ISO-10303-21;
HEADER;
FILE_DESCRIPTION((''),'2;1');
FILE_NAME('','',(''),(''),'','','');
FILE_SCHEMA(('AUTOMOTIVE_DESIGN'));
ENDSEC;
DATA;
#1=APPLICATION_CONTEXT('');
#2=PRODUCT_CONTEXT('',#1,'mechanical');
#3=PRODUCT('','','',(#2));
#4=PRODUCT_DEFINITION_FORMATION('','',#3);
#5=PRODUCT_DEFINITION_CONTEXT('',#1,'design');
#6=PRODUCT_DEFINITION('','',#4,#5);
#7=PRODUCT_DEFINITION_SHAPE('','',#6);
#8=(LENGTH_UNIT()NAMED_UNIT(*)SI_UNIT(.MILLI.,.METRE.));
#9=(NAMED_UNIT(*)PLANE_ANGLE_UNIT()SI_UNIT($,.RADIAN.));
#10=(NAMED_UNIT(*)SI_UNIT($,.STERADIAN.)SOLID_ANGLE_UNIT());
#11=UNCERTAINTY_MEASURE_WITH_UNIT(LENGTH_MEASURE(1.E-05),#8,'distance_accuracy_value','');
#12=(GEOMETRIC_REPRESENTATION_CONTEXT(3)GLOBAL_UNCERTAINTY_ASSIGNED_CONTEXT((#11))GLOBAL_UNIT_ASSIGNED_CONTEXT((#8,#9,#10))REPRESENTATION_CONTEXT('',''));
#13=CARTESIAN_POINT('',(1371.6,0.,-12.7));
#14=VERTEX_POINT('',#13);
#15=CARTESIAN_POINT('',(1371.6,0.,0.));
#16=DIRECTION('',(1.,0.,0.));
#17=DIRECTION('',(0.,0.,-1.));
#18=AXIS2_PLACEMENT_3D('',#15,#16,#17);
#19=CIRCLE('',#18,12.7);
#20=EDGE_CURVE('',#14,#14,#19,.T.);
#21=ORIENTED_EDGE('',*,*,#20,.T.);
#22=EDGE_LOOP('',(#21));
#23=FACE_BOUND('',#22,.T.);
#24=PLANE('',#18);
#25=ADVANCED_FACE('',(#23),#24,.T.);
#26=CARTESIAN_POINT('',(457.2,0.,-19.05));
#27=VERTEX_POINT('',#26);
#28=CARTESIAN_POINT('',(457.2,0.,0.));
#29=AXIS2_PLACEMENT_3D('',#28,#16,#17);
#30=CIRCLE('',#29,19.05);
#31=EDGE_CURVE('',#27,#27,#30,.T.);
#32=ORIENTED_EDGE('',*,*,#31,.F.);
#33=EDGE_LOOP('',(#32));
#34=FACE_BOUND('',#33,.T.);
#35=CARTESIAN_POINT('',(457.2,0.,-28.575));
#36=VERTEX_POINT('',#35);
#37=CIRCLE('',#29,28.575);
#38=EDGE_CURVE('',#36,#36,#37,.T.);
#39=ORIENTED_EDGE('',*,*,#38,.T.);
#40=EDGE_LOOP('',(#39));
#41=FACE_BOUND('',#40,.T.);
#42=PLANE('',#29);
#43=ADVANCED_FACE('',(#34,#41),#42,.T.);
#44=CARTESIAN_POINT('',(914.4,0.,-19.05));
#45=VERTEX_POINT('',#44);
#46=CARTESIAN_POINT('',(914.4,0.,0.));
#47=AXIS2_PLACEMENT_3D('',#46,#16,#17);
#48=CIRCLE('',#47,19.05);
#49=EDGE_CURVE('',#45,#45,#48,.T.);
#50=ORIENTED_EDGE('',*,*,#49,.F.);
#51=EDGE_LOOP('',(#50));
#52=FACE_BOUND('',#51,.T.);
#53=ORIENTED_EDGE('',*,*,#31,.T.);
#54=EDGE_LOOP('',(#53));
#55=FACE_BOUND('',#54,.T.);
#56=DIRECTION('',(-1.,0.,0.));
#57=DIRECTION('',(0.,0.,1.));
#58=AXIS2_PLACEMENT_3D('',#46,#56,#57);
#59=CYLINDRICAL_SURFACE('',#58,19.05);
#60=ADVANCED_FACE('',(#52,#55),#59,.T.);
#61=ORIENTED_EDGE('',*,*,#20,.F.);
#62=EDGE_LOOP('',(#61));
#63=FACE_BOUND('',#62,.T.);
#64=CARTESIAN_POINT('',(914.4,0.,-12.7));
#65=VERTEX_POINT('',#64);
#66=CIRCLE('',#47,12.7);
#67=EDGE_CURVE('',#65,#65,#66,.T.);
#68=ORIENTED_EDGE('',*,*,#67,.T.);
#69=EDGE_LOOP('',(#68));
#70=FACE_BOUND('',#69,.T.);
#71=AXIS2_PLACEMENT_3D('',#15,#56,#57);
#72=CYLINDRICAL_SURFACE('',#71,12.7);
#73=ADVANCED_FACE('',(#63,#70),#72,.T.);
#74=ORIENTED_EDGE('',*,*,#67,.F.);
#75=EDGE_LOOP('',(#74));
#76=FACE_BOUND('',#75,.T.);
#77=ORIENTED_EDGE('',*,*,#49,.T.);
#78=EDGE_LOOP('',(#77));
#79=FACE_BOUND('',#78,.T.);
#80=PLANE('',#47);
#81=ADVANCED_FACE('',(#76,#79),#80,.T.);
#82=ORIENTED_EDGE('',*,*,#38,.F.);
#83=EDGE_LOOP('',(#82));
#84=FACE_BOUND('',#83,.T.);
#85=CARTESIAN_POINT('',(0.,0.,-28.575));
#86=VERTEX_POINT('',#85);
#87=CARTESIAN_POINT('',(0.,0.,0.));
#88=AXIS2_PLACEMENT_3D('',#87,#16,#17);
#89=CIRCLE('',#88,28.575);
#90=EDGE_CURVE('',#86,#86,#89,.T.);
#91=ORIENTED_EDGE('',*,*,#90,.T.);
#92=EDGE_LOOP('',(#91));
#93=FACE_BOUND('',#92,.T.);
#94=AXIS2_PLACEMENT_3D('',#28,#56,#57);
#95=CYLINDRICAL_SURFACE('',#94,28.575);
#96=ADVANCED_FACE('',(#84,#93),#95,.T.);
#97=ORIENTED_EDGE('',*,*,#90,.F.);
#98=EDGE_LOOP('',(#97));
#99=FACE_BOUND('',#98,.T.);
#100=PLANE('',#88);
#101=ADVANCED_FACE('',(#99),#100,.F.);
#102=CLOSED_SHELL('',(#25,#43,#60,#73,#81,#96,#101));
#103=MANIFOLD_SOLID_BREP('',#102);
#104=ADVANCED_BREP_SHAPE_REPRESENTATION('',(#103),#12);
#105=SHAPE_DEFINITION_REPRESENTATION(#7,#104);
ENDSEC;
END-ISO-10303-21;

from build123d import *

# Parameters (mm, degrees)
SKETCH1_R      = 28.575
EXTRUDE1_DEPTH = 457.2
SKETCH2_R      = 19.05
EXTRUDE2_DEPTH = 457.2
SKETCH4_R      = 12.7
EXTRUDE3_DEPTH = 457.2


with BuildPart() as part:
    # Sketch1 → Extrude1 (new body)
    with BuildSketch(Plane(origin=(0, 0, 0), x_dir=(0, 0, -1), z_dir=(1, 0, 0))):
        Circle(SKETCH1_R)
    extrude(amount=EXTRUDE1_DEPTH)

    # Sketch2 → Extrude2 (add)
    with BuildSketch(Plane(origin=(457.2, 0, 0), x_dir=(0, 0, -1), z_dir=(1, 0, 0))):
        Circle(SKETCH2_R)
    extrude(amount=EXTRUDE2_DEPTH)

    # Sketch4 → Extrude3 (add)
    with BuildSketch(Plane(origin=(914.4, 0, 0), x_dir=(0, 0, -1), z_dir=(1, 0, 0))):
        Circle(SKETCH4_R)
    extrude(amount=EXTRUDE3_DEPTH)


solid = part.part
